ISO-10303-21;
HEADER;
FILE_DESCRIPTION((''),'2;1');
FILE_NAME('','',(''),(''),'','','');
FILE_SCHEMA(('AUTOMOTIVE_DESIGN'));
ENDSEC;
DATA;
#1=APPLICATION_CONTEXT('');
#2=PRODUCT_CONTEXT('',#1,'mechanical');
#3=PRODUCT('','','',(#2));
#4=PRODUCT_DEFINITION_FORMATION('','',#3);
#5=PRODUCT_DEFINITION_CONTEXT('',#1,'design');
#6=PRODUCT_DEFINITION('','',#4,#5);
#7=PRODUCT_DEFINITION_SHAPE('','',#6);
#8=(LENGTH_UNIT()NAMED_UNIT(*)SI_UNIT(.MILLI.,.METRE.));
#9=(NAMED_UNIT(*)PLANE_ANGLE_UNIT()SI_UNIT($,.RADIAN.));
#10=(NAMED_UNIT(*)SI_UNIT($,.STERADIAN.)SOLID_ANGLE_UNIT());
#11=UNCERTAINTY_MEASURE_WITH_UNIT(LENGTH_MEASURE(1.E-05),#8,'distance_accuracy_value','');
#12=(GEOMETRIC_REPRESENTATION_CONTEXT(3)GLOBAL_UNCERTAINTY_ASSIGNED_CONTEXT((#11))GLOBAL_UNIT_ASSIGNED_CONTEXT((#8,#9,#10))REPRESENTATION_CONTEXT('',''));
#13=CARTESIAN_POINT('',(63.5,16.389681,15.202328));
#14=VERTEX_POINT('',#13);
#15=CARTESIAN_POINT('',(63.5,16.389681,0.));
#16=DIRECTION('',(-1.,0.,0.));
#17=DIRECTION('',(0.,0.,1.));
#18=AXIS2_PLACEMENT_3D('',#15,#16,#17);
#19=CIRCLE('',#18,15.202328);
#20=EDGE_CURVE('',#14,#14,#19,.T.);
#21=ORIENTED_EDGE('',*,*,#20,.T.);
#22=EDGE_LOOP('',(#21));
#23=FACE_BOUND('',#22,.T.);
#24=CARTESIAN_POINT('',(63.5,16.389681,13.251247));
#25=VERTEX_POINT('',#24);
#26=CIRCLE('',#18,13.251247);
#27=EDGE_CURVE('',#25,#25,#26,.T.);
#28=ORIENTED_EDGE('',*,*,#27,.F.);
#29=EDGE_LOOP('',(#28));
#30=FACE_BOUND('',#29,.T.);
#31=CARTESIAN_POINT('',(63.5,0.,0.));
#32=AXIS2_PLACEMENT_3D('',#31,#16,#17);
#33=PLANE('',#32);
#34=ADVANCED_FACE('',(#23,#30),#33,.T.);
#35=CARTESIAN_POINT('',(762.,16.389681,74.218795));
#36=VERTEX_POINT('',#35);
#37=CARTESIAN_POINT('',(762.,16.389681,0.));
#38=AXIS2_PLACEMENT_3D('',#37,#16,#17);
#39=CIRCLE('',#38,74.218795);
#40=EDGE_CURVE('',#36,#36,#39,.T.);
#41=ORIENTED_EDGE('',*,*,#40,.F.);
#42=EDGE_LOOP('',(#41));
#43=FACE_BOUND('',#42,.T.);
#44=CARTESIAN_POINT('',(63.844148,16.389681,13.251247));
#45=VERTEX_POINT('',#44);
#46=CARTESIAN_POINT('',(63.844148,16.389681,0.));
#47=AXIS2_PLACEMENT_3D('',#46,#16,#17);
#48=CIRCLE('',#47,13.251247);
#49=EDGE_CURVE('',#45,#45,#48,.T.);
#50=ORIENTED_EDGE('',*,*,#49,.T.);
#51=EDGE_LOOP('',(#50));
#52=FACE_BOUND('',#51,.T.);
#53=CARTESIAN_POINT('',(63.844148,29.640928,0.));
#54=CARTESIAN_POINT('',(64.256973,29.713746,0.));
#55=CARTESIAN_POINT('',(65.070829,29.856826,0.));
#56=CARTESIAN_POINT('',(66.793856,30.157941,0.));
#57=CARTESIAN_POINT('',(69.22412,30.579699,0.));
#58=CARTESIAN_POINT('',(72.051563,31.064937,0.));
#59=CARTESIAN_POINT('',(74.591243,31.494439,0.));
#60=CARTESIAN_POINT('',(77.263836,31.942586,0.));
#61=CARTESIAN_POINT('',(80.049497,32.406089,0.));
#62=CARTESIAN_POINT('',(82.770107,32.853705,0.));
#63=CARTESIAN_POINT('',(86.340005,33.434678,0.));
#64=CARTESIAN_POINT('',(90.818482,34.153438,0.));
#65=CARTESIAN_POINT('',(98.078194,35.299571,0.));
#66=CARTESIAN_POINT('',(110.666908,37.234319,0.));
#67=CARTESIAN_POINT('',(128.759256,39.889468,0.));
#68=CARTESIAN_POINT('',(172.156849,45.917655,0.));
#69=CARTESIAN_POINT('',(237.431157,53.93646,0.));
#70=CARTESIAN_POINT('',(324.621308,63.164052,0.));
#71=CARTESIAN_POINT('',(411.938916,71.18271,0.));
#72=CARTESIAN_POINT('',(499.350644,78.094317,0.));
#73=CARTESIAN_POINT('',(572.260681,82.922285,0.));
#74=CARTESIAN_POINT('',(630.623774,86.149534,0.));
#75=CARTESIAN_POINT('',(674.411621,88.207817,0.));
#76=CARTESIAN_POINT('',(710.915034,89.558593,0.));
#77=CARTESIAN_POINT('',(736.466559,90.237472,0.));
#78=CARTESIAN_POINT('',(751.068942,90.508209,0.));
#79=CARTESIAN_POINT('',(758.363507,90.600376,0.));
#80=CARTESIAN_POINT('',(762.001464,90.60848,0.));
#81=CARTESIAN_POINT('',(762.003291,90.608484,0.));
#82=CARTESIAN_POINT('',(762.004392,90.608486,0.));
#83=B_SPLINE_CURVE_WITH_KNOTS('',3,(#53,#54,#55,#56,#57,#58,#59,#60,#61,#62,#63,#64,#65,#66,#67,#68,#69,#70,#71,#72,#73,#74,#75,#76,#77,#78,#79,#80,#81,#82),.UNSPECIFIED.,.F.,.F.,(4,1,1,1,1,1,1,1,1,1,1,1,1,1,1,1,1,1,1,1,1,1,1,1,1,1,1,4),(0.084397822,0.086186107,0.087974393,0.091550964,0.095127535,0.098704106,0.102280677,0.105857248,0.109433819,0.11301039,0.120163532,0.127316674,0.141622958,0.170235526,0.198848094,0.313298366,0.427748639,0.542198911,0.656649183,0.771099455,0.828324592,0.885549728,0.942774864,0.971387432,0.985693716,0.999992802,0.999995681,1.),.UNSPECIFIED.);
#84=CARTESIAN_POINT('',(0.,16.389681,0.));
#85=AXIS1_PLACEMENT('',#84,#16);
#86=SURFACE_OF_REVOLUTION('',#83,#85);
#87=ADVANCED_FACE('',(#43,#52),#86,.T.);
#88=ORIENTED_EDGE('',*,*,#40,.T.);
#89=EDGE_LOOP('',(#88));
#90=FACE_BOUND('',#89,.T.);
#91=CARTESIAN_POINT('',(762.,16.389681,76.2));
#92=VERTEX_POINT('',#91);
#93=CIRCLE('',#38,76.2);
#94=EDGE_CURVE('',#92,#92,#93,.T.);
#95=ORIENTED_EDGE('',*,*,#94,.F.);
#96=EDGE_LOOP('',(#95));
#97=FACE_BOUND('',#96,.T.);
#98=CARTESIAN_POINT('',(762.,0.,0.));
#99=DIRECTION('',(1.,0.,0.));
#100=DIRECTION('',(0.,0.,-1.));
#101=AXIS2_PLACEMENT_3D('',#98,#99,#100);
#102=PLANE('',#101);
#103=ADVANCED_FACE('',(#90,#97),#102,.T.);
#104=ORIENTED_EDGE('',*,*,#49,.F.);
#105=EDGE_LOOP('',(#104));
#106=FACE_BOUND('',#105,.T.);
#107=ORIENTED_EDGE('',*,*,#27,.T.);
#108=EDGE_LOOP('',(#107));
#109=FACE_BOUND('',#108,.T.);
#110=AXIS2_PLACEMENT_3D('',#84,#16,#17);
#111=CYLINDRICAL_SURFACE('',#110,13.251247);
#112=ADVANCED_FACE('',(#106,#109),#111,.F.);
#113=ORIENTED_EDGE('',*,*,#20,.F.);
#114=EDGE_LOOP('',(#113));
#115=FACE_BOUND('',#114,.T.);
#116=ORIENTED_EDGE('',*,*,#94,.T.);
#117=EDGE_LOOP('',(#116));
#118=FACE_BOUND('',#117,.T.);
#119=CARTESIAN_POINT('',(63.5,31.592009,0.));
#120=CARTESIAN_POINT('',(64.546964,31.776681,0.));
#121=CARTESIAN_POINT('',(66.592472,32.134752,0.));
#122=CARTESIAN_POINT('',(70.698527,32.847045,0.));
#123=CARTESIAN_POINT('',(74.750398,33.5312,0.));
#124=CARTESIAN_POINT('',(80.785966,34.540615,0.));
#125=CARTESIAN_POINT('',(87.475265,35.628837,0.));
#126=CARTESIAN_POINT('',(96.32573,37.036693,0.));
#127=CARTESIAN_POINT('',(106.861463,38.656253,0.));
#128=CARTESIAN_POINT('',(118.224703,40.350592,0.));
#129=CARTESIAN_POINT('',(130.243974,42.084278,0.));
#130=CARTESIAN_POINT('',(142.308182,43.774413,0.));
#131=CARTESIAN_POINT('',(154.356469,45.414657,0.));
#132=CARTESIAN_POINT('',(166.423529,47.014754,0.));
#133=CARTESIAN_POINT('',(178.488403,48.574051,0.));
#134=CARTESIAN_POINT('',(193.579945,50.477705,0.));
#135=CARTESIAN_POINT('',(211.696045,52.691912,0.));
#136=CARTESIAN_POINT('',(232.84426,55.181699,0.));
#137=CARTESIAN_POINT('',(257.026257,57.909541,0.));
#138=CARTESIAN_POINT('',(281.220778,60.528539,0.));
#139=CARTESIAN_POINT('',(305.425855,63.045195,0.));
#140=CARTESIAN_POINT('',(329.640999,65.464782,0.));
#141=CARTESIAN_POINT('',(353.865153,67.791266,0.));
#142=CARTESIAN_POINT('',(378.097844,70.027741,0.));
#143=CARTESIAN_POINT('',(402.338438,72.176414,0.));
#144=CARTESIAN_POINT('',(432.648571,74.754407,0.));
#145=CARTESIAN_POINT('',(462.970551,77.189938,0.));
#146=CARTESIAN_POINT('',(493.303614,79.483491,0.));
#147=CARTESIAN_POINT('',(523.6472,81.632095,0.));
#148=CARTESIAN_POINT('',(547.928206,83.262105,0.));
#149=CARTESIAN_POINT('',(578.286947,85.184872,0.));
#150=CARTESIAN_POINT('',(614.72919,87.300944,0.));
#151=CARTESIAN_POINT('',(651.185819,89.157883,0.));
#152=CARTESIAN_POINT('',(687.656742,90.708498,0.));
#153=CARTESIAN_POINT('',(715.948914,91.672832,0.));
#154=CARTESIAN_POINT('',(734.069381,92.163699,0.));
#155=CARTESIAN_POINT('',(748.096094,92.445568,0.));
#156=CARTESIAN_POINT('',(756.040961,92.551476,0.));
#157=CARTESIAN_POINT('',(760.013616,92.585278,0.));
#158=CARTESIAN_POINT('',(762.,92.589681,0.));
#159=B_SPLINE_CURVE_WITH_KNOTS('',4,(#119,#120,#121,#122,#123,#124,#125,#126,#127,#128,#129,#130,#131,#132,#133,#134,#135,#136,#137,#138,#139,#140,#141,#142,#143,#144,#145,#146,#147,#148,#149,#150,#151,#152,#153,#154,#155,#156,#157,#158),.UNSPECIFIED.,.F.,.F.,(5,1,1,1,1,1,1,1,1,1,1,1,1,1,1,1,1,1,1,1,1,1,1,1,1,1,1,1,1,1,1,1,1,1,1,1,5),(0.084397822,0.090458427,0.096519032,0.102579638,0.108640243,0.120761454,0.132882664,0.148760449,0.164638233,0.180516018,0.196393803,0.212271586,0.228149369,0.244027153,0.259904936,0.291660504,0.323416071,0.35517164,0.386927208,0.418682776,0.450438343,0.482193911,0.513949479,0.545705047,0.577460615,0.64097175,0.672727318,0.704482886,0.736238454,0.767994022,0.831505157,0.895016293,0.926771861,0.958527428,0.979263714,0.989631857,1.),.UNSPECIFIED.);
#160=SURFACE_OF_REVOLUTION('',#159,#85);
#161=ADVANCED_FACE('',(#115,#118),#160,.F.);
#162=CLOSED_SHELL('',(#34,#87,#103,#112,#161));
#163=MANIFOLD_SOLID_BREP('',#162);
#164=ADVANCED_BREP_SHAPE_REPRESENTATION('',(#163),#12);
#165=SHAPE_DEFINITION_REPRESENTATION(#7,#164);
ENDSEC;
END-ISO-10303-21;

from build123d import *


with BuildPart() as part:
    # Sketch1 → Revolve1 (revolve)
    with BuildSketch(Plane.XY, mode=Mode.PRIVATE) as revolve1_sk:
        with BuildLine():
            Line((63.844148043, 29.640928436), (63.499999998, 29.640928436))
            Line((63.499999998, 29.640928436), (63.499999998, 31.59200905))
            add(Edge.make_bspline(
                [(63.499999998, 31.59200905), (64.546964267, 31.776681433), (66.592471666, 32.134751742), (70.698527018, 32.847044799), (74.750398099, 33.531199528), (80.78596569, 34.540615012), (87.475265265, 35.62883694), (96.325729606, 37.03669292), (106.861463366, 38.656253166), (118.224703043, 40.350591594), (130.243974382, 42.084277632), (142.308182136, 43.774413487), (154.356468913, 45.414656781), (166.423528567, 47.014754136), (178.488403104, 48.574050881), (193.57994506, 50.477704647), (211.696044954, 52.69191156), (232.844260117, 55.181698871), (257.026256814, 57.909540856), (281.220777935, 60.528538672), (305.425855289, 63.045195415), (329.6409986, 65.464781895), (353.865153299, 67.791266257), (378.097843922, 70.027741332), (402.338438175, 72.176413941), (432.648570943, 74.75440698), (462.970550935, 77.189937909), (493.303614435, 79.483491275), (523.647200354, 81.632095246), (547.928205589, 83.262105287), (578.286947122, 85.184871927), (614.729190146, 87.300943648), (651.185819497, 89.157882644), (687.656741902, 90.708498065), (715.948913969, 91.672832213), (734.069381353, 92.163698815), (748.096093738, 92.445567822), (756.040961089, 92.551476456), (760.013616272, 92.585277632), (761.999999997, 92.589681199)],
                knots=[0.084397822, 0.084397822, 0.084397822, 0.084397822, 0.084397822, 0.090458427, 0.096519032, 0.102579638, 0.108640243, 0.120761454, 0.132882664, 0.148760449, 0.164638233, 0.180516018, 0.196393803, 0.212271586, 0.228149369, 0.244027153, 0.259904936, 0.291660504, 0.323416071, 0.35517164, 0.386927208, 0.418682776, 0.450438343, 0.482193911, 0.513949479, 0.545705047, 0.577460615, 0.64097175, 0.672727318, 0.704482886, 0.736238454, 0.767994022, 0.831505157, 0.895016293, 0.926771861, 0.958527428, 0.979263714, 0.989631857, 1, 1, 1, 1, 1], degree=4))
            Line((761.999999997, 92.589681199), (761.999999997, 90.608476308))
            add(Edge.make_bspline(
                [(63.844148043, 29.640928436), (64.256972952, 29.713745973), (65.070829398, 29.856825785), (66.793855506, 30.157940763), (69.224120297, 30.579698752), (72.051562632, 31.06493732), (74.591242962, 31.49443938), (77.263835523, 31.942585716), (80.049497238, 32.406089152), (82.770106829, 32.853704565), (86.340004566, 33.43467787), (90.818481793, 34.153438179), (98.078194353, 35.299570842), (110.666908432, 37.234319236), (128.759255507, 39.889467738), (172.156848882, 45.917654797), (237.431156738, 53.936460388), (324.621308067, 63.164051715), (411.938915566, 71.182709907), (499.350643562, 78.094317145), (572.260680839, 82.922284602), (630.623773587, 86.149534436), (674.411620852, 88.207816642), (710.915033583, 89.558592856), (736.466558623, 90.237471718), (751.068941605, 90.508208652), (758.363139623, 90.60037135), (761.999633991, 90.608475493), (761.999999997, 90.608476308)],
                knots=[0.084397822, 0.084397822, 0.084397822, 0.084397822, 0.086186107, 0.087974393, 0.091550964, 0.095127535, 0.098704106, 0.102280677, 0.105857248, 0.109433819, 0.11301039, 0.120163532, 0.127316674, 0.141622958, 0.170235526, 0.198848094, 0.313298366, 0.427748639, 0.542198911, 0.656649183, 0.771099455, 0.828324592, 0.885549728, 0.942774864, 0.971387432, 0.985693716, 0.999992802, 0.999994242, 0.999994242, 0.999994242, 0.999994242], degree=3))
        make_face()
    revolve(revolve1_sk.sketch.rotate(Axis((-9.7e-08, 16.389681199, 0), (1, 0, 0)), 90), axis=Axis((-9.7e-08, 16.389681199, 0), (1, 0, 0)))


solid = part.part
